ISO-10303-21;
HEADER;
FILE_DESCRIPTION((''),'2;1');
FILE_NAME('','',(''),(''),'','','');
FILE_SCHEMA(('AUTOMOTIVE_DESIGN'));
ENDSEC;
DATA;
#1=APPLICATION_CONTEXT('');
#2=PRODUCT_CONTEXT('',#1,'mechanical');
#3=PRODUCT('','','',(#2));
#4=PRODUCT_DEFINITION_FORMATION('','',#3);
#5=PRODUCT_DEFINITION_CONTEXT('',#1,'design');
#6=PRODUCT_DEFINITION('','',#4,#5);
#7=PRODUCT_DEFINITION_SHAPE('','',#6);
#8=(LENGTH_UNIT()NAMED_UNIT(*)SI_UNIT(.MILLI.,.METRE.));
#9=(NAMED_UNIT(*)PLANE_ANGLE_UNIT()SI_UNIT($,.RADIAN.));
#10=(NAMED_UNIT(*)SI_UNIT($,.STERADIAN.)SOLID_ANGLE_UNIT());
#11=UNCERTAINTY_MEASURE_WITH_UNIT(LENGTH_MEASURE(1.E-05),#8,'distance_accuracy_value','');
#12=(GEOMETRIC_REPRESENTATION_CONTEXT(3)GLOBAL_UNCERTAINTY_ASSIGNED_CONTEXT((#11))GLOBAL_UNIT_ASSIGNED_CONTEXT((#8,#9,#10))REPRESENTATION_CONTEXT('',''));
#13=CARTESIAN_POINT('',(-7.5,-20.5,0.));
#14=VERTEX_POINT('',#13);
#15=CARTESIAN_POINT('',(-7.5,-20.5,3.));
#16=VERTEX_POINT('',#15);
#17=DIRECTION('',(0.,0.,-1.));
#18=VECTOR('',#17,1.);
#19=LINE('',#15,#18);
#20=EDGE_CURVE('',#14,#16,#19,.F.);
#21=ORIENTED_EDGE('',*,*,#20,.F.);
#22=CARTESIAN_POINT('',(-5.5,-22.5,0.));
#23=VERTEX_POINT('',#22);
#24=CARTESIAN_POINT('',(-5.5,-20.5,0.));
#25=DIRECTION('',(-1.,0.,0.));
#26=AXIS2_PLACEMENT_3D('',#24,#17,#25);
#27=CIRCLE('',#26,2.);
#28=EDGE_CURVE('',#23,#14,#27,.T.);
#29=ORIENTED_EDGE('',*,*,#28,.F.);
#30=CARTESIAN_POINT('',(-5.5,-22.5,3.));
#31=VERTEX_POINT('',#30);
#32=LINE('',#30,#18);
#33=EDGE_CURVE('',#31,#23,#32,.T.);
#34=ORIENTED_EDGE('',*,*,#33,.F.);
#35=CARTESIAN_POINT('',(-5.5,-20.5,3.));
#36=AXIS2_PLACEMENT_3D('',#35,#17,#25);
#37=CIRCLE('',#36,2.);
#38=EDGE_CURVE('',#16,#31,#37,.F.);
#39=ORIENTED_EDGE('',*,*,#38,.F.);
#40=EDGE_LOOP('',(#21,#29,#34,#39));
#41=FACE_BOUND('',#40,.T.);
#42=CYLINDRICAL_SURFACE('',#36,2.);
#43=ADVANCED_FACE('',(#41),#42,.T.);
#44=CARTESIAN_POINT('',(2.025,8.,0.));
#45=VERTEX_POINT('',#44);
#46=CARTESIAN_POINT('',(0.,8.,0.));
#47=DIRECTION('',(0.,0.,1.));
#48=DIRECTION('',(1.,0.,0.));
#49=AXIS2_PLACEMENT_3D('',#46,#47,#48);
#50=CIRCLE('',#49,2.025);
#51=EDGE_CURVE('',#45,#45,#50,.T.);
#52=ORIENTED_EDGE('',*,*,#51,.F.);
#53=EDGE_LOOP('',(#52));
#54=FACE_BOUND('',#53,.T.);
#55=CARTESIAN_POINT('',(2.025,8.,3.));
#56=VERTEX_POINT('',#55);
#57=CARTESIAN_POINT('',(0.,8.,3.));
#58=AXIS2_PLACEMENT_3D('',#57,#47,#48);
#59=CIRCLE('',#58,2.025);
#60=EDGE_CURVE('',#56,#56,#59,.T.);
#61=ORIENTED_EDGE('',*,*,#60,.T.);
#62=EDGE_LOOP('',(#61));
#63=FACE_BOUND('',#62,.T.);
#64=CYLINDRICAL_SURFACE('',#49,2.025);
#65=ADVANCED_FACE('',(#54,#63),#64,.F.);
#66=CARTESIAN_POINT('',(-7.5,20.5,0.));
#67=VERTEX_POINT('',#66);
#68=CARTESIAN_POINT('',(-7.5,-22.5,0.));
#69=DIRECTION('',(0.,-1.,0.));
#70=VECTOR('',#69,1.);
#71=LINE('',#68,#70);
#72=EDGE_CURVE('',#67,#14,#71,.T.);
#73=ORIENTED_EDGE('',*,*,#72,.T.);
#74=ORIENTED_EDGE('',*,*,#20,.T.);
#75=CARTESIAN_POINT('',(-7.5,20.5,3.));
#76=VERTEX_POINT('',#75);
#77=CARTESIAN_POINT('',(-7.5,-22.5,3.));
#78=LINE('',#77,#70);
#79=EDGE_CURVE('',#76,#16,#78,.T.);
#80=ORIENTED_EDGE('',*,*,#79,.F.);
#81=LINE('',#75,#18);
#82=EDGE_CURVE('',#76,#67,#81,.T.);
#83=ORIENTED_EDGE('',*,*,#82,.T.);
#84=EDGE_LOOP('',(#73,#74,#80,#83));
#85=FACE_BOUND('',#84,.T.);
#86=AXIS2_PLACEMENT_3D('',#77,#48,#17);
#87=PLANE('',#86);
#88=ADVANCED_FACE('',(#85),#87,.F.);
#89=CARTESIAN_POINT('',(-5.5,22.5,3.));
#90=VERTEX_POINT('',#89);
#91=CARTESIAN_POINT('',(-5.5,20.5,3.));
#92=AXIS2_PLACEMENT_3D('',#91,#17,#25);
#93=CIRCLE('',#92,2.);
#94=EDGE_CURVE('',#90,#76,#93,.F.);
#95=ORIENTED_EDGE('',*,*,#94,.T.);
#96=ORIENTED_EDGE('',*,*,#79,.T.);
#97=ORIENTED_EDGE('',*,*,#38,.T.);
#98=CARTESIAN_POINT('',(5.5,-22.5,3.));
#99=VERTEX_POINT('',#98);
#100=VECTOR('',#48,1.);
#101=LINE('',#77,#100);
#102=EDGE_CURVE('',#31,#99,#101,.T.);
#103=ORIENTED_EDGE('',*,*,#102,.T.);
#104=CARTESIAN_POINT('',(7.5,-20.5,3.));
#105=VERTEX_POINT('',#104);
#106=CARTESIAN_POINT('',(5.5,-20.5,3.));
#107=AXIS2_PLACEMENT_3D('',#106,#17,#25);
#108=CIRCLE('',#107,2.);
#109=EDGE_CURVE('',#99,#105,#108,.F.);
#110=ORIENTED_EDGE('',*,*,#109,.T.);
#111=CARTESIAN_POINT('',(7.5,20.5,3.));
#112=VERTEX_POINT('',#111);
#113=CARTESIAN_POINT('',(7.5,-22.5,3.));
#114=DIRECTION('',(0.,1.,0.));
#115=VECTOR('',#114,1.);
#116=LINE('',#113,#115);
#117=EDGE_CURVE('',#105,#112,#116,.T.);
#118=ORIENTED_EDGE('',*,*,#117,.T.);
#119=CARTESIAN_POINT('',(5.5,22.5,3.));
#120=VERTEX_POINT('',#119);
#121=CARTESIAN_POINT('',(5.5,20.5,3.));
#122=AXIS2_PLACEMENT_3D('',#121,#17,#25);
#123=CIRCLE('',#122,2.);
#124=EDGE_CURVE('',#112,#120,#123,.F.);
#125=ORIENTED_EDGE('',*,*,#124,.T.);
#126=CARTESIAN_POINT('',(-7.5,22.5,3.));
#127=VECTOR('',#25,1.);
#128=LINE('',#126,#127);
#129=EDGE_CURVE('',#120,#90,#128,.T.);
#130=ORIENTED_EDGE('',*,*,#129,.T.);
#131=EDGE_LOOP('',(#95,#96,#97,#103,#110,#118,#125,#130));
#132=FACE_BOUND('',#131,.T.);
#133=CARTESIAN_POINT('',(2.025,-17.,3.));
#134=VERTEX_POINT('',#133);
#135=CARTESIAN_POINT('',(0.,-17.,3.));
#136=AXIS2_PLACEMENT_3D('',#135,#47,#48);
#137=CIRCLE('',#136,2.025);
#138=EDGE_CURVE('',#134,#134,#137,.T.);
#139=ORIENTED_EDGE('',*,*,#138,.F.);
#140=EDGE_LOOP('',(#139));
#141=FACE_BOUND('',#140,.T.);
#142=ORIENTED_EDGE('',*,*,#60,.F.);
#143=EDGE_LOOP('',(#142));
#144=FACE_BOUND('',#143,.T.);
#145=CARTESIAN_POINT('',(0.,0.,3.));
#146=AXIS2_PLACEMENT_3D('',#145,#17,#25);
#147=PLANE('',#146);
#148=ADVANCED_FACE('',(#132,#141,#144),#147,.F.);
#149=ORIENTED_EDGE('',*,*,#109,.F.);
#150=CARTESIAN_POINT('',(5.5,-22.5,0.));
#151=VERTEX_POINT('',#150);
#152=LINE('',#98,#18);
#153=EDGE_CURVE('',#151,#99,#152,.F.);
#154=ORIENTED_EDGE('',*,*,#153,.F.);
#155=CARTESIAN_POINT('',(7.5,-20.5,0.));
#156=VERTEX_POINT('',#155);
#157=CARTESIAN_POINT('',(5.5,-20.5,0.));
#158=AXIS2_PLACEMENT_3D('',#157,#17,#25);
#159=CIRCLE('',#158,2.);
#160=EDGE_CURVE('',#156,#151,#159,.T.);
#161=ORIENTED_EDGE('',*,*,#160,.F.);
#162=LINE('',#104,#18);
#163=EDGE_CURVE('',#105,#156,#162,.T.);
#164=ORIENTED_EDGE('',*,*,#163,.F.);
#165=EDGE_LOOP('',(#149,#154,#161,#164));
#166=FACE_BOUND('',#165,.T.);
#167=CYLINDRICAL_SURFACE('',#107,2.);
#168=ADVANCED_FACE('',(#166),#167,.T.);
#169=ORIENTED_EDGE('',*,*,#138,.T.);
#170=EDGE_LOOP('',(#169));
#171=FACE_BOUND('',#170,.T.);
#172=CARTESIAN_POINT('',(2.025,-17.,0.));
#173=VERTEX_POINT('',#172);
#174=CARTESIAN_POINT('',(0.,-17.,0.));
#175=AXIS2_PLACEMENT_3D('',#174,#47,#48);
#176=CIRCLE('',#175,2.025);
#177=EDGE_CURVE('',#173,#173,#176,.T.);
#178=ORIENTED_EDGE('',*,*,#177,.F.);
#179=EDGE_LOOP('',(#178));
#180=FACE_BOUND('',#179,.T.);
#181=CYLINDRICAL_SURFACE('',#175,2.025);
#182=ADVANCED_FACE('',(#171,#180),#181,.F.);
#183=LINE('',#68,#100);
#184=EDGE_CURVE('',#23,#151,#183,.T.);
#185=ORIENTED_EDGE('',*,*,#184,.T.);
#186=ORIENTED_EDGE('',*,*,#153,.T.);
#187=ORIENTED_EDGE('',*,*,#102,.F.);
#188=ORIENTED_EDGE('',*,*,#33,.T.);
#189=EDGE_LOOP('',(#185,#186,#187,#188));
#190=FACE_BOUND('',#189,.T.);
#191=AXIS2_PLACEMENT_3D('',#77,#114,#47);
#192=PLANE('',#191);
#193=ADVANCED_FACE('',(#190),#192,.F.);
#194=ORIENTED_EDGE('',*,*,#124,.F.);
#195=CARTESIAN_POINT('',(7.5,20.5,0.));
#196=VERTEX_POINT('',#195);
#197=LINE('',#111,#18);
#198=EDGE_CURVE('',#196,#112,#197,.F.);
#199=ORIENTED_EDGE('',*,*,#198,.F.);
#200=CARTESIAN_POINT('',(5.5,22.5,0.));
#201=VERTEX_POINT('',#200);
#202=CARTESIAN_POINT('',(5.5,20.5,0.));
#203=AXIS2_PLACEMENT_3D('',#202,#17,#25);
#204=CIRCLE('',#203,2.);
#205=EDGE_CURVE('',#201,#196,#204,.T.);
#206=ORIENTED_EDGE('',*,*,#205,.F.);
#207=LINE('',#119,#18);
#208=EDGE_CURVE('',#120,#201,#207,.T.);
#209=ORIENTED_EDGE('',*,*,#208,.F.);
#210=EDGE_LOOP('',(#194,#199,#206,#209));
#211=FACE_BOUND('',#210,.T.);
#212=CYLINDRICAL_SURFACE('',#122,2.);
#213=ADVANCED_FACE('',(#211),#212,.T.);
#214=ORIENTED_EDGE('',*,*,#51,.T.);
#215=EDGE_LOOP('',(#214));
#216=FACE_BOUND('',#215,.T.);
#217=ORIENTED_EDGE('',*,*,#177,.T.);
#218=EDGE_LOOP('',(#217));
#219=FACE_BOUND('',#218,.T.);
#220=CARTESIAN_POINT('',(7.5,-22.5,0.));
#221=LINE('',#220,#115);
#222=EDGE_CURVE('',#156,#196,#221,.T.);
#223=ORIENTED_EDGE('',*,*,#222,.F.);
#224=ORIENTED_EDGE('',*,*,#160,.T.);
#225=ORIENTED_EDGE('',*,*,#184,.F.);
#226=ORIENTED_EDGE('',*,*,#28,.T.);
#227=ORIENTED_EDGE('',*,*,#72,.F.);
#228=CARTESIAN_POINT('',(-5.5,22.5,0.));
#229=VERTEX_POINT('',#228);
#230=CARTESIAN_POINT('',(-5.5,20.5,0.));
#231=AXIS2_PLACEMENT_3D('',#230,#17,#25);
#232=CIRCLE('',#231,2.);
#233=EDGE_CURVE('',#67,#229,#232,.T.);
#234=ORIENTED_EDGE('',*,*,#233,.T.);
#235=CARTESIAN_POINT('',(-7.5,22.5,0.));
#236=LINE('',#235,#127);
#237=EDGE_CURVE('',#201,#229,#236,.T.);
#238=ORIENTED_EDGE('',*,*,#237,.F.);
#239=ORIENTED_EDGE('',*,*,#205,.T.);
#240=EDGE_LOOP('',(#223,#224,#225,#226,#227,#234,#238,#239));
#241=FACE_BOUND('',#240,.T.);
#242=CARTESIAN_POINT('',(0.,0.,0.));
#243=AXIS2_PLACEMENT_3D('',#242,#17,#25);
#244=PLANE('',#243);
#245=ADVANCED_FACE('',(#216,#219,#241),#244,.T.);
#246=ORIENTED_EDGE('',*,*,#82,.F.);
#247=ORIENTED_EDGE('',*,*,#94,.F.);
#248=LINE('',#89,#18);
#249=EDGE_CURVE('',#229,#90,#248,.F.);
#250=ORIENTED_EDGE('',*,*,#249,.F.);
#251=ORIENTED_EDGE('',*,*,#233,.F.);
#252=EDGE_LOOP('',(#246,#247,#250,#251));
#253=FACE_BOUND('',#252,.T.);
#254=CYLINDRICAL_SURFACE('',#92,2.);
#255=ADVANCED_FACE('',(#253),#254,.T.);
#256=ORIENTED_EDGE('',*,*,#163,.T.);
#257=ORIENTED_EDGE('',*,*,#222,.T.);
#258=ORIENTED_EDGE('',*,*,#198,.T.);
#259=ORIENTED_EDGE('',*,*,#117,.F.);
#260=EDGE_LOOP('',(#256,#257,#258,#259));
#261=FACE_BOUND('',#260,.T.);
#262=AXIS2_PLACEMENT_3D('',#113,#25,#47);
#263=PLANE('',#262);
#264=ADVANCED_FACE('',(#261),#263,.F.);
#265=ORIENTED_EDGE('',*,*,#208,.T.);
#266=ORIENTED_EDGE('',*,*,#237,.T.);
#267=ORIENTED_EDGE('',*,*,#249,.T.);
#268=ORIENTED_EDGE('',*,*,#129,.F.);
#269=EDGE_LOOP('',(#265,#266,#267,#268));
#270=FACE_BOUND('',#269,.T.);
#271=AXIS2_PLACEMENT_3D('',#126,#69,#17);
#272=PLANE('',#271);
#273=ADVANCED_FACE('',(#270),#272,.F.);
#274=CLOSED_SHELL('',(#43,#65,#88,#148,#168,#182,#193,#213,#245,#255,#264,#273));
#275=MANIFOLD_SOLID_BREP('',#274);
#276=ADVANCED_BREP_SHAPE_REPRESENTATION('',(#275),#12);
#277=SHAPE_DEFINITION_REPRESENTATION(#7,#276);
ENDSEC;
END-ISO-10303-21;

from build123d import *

# Parameters (mm, degrees)
SKETCH_1_W          = 15
SKETCH_1_H          = 45
EXTRUDE_1_DEPTH     = 3
SKETCH_2_R          = 2.025
CUT_EXTRUDE_1_DEPTH = 3
FILLET_1_R          = 2


with BuildPart() as part:
    # 草图1 → 凸台-拉伸1 (new body)
    with BuildSketch(Plane.XY):
        Rectangle(SKETCH_1_W, SKETCH_1_H)
    extrude(amount=EXTRUDE_1_DEPTH)

    # 草图2 → 切除-拉伸1 (cut)
    with BuildSketch(Plane.XY.offset(3)):
        with Locations((0, -17)):
            Circle(SKETCH_2_R)
        with Locations((0, 8)):
            Circle(SKETCH_2_R)
    extrude(amount=-CUT_EXTRUDE_1_DEPTH, mode=Mode.SUBTRACT)

    # 圆角1
    fillet_1_edges = [part.edges().sort_by_distance(p)[0] for p in [
        (7.5, -22.5, 1.5),
        (-7.5, -22.5, 1.5),
        (-7.5, 22.5, 1.5),
        (7.5, 22.5, 1.5),
    ]]
    fillet(fillet_1_edges, radius=FILLET_1_R)


solid = part.part
